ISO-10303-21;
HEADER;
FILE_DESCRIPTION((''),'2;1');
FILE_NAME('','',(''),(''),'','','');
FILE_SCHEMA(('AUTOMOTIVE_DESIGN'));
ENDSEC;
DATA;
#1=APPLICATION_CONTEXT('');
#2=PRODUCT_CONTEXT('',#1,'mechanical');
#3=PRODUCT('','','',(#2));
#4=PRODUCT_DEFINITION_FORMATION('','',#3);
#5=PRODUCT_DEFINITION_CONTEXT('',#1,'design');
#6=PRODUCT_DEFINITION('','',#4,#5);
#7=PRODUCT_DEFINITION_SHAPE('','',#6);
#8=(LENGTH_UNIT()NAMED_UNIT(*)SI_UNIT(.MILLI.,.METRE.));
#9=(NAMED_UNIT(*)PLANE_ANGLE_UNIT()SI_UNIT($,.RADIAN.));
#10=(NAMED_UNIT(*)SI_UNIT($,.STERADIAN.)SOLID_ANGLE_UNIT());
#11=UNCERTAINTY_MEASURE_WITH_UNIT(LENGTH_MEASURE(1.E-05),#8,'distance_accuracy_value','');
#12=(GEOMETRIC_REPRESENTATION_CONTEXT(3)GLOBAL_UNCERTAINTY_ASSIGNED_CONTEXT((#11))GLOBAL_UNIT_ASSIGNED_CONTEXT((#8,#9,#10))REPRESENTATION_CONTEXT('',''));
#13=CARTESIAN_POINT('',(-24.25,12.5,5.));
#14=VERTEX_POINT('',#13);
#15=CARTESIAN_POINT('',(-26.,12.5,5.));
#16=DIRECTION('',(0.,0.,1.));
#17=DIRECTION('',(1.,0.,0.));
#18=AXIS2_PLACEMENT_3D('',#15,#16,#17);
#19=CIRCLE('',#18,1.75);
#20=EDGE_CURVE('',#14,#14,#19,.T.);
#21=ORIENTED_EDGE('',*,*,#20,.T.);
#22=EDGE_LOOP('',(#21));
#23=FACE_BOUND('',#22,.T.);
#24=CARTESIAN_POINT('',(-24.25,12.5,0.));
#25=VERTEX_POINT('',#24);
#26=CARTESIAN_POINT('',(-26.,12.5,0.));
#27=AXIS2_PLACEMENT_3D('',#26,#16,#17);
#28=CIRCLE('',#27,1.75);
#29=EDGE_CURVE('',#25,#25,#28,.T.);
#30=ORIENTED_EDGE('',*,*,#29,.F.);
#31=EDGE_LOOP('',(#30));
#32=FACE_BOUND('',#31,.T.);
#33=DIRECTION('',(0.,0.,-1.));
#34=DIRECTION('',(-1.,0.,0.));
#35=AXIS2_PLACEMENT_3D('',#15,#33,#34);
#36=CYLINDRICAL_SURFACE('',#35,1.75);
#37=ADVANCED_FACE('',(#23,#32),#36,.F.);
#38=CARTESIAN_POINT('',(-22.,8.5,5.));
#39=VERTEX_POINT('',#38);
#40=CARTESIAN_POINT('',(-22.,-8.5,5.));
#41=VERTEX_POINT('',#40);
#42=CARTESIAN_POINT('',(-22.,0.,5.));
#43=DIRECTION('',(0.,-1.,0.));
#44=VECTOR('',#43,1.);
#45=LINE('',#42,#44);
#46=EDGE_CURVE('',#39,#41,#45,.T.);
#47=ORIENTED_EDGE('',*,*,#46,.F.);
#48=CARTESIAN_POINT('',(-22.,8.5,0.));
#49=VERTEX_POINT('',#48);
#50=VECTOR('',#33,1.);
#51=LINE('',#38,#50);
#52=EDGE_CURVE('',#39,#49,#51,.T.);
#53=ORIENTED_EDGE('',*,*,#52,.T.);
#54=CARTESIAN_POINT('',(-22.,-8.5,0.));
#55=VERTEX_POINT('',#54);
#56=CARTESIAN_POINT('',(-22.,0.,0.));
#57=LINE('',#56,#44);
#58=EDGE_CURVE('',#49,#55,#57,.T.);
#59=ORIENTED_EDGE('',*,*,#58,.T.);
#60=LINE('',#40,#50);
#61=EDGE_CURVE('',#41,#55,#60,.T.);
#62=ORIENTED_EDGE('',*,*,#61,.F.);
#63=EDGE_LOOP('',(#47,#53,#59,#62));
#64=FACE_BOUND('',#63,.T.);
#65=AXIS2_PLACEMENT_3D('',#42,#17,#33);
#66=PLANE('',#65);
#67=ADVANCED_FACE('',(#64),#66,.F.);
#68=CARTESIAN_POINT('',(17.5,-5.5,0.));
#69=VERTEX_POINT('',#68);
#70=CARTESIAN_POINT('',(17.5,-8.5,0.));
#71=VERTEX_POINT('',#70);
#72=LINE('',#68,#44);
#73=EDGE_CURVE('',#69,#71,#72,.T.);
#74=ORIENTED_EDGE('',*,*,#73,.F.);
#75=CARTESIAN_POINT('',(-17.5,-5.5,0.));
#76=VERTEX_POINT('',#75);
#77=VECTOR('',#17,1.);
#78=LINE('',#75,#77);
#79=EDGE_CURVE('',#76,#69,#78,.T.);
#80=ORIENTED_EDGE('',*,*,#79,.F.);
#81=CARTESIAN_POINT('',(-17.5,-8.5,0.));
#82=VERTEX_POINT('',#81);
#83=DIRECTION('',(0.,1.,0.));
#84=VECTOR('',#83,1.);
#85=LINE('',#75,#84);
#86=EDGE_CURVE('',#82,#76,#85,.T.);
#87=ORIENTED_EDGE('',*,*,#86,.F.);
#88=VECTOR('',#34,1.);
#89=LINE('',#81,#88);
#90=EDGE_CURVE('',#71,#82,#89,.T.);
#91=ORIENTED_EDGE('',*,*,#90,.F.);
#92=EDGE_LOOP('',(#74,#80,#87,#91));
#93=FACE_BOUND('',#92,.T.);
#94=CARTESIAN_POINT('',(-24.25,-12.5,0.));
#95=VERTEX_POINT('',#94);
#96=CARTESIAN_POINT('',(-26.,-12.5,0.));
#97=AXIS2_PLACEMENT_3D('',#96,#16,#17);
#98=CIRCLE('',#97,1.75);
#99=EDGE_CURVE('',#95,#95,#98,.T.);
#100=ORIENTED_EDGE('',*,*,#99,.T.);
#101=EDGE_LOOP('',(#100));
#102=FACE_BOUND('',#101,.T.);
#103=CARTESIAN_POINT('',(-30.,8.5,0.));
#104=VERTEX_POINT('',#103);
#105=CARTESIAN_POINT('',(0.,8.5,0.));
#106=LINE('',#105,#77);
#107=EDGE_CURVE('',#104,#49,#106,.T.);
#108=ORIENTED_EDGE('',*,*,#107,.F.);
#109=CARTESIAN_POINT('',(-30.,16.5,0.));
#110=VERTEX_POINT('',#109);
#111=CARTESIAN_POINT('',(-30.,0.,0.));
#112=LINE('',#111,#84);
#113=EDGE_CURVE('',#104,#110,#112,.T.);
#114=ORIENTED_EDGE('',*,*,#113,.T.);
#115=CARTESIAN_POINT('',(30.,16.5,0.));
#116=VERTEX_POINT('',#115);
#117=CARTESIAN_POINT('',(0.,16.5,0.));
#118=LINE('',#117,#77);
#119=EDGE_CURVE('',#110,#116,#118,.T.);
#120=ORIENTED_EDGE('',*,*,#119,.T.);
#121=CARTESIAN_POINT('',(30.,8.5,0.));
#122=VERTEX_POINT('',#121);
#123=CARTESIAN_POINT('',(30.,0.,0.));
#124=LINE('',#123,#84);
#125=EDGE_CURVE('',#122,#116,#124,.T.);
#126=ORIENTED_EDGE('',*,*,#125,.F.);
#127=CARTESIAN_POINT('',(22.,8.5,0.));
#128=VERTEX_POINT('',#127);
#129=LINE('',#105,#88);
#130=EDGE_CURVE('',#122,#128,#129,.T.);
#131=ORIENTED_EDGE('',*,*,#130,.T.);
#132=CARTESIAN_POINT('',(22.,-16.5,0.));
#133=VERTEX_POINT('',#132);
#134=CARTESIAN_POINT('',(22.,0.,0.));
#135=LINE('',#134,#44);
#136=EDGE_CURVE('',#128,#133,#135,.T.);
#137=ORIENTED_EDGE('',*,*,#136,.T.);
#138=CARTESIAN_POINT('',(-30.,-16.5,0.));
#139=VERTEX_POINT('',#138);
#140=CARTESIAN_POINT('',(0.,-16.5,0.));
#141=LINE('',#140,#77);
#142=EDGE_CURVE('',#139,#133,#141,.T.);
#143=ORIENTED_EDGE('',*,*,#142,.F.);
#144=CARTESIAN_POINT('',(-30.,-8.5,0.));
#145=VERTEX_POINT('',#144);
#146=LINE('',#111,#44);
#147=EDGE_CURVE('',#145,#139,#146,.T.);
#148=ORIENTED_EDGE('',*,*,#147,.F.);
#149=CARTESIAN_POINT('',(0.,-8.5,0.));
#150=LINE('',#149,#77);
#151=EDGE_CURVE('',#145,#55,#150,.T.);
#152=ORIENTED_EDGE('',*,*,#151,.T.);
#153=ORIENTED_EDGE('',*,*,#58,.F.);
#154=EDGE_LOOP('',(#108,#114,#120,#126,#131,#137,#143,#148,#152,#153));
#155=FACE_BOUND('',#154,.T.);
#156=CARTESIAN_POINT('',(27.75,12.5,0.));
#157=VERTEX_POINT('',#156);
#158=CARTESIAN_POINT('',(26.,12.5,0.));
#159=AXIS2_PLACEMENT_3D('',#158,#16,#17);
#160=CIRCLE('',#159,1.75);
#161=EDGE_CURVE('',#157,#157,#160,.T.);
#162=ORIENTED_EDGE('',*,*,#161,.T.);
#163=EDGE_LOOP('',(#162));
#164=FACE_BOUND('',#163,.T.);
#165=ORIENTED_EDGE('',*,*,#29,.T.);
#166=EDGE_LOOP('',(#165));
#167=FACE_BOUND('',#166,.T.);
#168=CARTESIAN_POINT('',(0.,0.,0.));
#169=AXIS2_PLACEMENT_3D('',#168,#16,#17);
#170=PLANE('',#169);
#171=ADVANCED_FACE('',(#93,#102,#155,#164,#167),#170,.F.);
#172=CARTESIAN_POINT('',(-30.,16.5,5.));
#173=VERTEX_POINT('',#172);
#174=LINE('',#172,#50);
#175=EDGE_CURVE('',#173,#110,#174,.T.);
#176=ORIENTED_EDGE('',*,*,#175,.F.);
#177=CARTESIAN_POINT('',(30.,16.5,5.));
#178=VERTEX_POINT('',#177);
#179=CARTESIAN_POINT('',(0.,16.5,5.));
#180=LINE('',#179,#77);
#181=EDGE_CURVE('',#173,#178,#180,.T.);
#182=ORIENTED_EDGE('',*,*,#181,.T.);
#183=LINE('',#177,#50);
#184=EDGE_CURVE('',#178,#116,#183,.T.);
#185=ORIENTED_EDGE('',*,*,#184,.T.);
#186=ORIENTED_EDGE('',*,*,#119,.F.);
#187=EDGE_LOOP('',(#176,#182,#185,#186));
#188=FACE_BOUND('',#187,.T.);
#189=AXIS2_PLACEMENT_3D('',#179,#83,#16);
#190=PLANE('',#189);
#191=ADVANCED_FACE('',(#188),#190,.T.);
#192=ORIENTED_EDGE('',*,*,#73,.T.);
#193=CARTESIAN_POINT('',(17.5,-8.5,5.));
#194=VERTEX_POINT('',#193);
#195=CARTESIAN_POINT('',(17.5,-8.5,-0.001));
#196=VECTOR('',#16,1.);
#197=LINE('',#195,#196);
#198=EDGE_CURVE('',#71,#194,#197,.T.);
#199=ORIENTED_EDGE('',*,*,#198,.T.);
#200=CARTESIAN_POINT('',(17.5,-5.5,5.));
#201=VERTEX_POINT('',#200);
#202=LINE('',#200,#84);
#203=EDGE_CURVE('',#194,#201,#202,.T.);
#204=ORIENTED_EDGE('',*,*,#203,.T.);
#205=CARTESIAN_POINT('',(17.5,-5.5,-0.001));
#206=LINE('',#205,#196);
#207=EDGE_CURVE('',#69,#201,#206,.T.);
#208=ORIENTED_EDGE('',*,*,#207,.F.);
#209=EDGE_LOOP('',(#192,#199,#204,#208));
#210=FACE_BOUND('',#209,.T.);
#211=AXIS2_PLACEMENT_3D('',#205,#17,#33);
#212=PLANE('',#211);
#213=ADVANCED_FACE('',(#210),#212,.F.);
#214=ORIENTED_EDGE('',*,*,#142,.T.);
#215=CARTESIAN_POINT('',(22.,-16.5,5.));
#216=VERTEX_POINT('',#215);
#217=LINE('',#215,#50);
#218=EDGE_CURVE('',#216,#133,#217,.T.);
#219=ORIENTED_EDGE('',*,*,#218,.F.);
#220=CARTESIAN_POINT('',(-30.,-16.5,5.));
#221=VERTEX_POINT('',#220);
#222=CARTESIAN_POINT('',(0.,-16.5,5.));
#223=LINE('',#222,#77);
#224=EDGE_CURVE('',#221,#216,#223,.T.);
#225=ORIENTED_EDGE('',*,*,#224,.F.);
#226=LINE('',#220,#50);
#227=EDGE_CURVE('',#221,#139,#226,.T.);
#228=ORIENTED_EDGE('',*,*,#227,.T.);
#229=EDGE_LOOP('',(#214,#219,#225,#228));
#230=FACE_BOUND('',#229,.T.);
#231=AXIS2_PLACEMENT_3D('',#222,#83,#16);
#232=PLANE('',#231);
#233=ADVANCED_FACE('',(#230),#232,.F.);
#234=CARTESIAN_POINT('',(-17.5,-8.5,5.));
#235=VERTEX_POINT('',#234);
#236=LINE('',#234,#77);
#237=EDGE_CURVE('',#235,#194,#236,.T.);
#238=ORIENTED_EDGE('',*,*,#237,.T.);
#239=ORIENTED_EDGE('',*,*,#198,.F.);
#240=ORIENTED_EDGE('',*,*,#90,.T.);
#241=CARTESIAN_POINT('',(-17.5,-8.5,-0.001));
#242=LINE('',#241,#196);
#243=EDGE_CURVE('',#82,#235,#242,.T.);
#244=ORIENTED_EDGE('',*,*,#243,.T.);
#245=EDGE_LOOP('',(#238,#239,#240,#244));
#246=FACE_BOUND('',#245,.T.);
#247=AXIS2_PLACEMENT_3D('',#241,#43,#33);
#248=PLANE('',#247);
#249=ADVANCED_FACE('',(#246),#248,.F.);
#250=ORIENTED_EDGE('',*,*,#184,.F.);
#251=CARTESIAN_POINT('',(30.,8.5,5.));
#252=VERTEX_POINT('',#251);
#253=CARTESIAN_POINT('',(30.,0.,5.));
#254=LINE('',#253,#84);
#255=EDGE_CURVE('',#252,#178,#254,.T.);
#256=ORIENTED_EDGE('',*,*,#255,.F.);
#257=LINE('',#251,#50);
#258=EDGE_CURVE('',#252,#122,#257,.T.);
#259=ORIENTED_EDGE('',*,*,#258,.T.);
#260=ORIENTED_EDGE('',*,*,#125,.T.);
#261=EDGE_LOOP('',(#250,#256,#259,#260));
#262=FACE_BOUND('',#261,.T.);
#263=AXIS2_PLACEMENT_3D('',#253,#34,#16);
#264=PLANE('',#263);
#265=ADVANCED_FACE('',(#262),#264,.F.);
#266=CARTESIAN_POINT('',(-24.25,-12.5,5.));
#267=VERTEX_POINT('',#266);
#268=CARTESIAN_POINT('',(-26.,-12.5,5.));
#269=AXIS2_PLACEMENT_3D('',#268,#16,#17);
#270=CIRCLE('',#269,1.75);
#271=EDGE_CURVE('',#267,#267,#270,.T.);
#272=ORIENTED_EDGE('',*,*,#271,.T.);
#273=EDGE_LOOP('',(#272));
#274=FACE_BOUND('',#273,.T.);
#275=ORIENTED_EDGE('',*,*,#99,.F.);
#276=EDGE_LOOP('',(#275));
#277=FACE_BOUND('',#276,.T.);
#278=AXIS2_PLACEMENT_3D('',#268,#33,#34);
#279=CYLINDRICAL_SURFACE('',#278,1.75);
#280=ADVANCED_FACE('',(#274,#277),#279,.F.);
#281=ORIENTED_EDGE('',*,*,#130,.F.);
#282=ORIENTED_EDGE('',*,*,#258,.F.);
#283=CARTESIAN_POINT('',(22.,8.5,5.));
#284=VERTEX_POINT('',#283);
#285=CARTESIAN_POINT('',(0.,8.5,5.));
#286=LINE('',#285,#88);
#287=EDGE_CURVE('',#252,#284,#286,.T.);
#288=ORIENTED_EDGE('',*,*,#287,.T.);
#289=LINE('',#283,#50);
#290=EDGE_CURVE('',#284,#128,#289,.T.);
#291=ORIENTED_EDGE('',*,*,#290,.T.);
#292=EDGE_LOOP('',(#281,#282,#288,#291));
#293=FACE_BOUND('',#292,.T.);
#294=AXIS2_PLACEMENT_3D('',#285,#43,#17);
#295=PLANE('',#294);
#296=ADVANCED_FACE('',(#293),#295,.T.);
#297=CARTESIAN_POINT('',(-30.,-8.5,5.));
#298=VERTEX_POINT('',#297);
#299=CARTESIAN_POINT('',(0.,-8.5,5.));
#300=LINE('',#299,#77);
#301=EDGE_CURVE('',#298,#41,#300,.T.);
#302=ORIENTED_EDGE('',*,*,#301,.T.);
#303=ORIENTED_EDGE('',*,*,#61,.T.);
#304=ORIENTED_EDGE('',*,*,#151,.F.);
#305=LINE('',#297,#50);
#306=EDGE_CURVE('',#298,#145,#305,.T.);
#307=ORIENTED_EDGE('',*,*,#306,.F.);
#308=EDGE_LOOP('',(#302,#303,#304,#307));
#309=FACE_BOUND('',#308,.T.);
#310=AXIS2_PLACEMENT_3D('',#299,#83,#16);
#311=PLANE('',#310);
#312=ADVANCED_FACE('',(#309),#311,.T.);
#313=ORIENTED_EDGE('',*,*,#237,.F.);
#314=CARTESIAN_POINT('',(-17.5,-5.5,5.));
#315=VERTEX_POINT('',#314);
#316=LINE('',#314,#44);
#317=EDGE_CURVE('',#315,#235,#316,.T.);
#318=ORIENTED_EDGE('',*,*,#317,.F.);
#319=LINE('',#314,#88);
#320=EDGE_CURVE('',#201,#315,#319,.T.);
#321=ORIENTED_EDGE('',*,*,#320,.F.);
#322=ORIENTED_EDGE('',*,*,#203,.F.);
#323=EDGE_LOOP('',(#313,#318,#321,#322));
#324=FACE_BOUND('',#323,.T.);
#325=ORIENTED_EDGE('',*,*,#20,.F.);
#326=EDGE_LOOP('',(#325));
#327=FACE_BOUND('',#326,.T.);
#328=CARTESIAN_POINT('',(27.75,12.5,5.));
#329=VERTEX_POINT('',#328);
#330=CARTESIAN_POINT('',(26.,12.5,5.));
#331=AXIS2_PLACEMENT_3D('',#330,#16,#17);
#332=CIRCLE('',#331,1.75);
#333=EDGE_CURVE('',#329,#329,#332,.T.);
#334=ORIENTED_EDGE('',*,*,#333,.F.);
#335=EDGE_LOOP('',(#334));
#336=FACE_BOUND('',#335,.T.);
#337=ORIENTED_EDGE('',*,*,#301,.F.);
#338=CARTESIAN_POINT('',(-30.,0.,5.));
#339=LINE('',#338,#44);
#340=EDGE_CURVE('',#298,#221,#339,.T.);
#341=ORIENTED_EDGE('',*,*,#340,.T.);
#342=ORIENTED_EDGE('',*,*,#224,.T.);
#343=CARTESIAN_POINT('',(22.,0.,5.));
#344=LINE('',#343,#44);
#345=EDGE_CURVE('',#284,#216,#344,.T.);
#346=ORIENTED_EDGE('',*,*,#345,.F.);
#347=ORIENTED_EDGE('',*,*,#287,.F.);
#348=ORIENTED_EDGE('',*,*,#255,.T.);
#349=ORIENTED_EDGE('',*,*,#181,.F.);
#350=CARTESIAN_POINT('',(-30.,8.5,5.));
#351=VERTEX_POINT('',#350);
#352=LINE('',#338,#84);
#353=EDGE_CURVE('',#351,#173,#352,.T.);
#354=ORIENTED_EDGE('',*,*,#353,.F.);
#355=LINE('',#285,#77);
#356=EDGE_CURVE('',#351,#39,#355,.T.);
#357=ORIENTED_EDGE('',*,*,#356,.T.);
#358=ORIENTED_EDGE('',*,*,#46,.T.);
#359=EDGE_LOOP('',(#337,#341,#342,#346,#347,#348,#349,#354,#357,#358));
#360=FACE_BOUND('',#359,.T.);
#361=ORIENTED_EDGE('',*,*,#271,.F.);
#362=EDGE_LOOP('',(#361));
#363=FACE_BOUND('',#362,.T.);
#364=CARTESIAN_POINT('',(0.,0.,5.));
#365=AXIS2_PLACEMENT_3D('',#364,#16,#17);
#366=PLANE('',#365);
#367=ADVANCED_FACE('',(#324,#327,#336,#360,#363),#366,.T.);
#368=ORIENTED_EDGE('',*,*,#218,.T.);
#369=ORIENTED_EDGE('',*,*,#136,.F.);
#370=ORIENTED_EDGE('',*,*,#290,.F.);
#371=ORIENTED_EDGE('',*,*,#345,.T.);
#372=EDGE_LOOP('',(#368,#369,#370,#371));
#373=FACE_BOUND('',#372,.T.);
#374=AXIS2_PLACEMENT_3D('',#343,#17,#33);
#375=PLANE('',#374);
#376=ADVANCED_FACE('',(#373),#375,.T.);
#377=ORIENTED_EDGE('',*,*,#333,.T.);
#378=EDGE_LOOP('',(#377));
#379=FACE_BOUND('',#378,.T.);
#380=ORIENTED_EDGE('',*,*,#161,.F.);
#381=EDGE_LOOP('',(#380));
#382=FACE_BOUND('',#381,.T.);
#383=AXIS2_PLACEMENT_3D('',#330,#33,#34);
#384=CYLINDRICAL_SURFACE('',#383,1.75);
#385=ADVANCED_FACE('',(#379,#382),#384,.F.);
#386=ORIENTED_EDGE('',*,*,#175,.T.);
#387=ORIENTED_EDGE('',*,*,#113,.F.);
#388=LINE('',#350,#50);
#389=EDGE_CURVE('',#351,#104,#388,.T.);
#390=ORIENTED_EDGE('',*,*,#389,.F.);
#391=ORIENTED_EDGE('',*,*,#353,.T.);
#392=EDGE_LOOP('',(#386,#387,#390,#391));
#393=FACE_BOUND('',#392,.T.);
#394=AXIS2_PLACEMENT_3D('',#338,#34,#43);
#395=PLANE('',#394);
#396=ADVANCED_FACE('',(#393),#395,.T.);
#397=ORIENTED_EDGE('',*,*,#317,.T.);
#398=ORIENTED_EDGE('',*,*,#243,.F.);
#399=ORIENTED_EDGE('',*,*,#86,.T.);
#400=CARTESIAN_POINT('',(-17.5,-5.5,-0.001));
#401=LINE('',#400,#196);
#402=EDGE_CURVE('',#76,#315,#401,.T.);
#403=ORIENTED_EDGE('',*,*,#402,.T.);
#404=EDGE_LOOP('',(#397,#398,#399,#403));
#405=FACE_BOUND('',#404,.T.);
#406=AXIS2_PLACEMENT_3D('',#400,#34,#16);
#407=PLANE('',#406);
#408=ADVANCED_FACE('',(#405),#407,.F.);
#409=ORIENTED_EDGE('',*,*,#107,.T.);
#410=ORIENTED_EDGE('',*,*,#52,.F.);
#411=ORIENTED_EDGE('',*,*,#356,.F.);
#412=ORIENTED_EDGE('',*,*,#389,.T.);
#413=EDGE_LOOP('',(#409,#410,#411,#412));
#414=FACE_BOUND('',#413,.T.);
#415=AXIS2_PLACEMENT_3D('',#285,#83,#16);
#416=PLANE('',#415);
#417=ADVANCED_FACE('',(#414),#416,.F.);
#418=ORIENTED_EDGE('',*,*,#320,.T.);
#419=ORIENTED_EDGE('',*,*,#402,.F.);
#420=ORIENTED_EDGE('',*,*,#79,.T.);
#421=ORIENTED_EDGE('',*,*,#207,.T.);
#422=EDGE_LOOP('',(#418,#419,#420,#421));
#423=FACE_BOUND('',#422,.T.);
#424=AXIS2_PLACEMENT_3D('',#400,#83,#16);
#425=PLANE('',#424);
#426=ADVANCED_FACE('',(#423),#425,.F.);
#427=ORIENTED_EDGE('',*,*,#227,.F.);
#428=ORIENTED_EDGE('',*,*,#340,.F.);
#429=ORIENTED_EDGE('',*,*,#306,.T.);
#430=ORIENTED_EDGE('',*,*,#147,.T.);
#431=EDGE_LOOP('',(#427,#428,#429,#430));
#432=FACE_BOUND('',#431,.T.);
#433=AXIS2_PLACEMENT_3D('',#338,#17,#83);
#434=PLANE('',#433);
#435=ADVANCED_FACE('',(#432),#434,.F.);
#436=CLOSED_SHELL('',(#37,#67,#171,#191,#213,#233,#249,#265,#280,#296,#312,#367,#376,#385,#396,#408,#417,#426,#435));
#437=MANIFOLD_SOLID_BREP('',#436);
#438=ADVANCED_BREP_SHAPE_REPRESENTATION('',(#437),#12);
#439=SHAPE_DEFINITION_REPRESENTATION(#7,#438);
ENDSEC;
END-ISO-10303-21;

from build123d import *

# Parameters (mm, degrees)
SKETCH_1_R          = 1.75
EXTRUDE_1_DEPTH     = 5
CUT_EXTRUDE_1_REACH = 7
SKETCH_2_W          = 35
SKETCH_2_H          = 3
SKETCH_3_W          = 8
SKETCH_3_H          = 8
CUT_EXTRUDE_3_DEPTH = 6


with BuildPart() as part:
    # 草圖1 → 填料-伸長1 (new body)
    with BuildSketch(Plane.XY):
        Polygon((-30, 16.5), (-30, 8.5), (-22, 8.5), (-22, -8.5), (-30, -8.5), (-30, -16.5), (30, -16.5), (30, -8.5), (22, -8.5), (22, 8.5), (30, 8.5), (30, 16.5), align=None)
        with Locations((-26, 12.5)):
            Circle(SKETCH_1_R, mode=Mode.SUBTRACT)
        with Locations((26, 12.5)):
            Circle(SKETCH_1_R, mode=Mode.SUBTRACT)
        with Locations((-26, -12.5)):
            Circle(SKETCH_1_R, mode=Mode.SUBTRACT)
        with Locations((26, -12.5)):
            Circle(SKETCH_1_R, mode=Mode.SUBTRACT)
    extrude(amount=EXTRUDE_1_DEPTH)

    # 草圖2 → 除料-伸長1 (cut, up to next)
    with BuildSketch(Plane.XY.offset(5), mode=Mode.PRIVATE) as cut_extrude_1_sk1:
        with Locations((0, -7)):
            Rectangle(SKETCH_2_W, SKETCH_2_H)
    cut_extrude_1_tool1 = extrude(cut_extrude_1_sk1.sketch, amount=-CUT_EXTRUDE_1_REACH, mode=Mode.PRIVATE) & part.part
    add(cut_extrude_1_tool1.solids().sort_by_distance((0, -7, 5))[0], mode=Mode.SUBTRACT)

    # 草圖3 → 除料-伸長3 (cut, through all)
    with BuildSketch(Plane.XY):
        with Locations((26, -12.5)):
            Rectangle(SKETCH_3_W, SKETCH_3_H)
    extrude(amount=CUT_EXTRUDE_3_DEPTH, mode=Mode.SUBTRACT)


solid = part.part
